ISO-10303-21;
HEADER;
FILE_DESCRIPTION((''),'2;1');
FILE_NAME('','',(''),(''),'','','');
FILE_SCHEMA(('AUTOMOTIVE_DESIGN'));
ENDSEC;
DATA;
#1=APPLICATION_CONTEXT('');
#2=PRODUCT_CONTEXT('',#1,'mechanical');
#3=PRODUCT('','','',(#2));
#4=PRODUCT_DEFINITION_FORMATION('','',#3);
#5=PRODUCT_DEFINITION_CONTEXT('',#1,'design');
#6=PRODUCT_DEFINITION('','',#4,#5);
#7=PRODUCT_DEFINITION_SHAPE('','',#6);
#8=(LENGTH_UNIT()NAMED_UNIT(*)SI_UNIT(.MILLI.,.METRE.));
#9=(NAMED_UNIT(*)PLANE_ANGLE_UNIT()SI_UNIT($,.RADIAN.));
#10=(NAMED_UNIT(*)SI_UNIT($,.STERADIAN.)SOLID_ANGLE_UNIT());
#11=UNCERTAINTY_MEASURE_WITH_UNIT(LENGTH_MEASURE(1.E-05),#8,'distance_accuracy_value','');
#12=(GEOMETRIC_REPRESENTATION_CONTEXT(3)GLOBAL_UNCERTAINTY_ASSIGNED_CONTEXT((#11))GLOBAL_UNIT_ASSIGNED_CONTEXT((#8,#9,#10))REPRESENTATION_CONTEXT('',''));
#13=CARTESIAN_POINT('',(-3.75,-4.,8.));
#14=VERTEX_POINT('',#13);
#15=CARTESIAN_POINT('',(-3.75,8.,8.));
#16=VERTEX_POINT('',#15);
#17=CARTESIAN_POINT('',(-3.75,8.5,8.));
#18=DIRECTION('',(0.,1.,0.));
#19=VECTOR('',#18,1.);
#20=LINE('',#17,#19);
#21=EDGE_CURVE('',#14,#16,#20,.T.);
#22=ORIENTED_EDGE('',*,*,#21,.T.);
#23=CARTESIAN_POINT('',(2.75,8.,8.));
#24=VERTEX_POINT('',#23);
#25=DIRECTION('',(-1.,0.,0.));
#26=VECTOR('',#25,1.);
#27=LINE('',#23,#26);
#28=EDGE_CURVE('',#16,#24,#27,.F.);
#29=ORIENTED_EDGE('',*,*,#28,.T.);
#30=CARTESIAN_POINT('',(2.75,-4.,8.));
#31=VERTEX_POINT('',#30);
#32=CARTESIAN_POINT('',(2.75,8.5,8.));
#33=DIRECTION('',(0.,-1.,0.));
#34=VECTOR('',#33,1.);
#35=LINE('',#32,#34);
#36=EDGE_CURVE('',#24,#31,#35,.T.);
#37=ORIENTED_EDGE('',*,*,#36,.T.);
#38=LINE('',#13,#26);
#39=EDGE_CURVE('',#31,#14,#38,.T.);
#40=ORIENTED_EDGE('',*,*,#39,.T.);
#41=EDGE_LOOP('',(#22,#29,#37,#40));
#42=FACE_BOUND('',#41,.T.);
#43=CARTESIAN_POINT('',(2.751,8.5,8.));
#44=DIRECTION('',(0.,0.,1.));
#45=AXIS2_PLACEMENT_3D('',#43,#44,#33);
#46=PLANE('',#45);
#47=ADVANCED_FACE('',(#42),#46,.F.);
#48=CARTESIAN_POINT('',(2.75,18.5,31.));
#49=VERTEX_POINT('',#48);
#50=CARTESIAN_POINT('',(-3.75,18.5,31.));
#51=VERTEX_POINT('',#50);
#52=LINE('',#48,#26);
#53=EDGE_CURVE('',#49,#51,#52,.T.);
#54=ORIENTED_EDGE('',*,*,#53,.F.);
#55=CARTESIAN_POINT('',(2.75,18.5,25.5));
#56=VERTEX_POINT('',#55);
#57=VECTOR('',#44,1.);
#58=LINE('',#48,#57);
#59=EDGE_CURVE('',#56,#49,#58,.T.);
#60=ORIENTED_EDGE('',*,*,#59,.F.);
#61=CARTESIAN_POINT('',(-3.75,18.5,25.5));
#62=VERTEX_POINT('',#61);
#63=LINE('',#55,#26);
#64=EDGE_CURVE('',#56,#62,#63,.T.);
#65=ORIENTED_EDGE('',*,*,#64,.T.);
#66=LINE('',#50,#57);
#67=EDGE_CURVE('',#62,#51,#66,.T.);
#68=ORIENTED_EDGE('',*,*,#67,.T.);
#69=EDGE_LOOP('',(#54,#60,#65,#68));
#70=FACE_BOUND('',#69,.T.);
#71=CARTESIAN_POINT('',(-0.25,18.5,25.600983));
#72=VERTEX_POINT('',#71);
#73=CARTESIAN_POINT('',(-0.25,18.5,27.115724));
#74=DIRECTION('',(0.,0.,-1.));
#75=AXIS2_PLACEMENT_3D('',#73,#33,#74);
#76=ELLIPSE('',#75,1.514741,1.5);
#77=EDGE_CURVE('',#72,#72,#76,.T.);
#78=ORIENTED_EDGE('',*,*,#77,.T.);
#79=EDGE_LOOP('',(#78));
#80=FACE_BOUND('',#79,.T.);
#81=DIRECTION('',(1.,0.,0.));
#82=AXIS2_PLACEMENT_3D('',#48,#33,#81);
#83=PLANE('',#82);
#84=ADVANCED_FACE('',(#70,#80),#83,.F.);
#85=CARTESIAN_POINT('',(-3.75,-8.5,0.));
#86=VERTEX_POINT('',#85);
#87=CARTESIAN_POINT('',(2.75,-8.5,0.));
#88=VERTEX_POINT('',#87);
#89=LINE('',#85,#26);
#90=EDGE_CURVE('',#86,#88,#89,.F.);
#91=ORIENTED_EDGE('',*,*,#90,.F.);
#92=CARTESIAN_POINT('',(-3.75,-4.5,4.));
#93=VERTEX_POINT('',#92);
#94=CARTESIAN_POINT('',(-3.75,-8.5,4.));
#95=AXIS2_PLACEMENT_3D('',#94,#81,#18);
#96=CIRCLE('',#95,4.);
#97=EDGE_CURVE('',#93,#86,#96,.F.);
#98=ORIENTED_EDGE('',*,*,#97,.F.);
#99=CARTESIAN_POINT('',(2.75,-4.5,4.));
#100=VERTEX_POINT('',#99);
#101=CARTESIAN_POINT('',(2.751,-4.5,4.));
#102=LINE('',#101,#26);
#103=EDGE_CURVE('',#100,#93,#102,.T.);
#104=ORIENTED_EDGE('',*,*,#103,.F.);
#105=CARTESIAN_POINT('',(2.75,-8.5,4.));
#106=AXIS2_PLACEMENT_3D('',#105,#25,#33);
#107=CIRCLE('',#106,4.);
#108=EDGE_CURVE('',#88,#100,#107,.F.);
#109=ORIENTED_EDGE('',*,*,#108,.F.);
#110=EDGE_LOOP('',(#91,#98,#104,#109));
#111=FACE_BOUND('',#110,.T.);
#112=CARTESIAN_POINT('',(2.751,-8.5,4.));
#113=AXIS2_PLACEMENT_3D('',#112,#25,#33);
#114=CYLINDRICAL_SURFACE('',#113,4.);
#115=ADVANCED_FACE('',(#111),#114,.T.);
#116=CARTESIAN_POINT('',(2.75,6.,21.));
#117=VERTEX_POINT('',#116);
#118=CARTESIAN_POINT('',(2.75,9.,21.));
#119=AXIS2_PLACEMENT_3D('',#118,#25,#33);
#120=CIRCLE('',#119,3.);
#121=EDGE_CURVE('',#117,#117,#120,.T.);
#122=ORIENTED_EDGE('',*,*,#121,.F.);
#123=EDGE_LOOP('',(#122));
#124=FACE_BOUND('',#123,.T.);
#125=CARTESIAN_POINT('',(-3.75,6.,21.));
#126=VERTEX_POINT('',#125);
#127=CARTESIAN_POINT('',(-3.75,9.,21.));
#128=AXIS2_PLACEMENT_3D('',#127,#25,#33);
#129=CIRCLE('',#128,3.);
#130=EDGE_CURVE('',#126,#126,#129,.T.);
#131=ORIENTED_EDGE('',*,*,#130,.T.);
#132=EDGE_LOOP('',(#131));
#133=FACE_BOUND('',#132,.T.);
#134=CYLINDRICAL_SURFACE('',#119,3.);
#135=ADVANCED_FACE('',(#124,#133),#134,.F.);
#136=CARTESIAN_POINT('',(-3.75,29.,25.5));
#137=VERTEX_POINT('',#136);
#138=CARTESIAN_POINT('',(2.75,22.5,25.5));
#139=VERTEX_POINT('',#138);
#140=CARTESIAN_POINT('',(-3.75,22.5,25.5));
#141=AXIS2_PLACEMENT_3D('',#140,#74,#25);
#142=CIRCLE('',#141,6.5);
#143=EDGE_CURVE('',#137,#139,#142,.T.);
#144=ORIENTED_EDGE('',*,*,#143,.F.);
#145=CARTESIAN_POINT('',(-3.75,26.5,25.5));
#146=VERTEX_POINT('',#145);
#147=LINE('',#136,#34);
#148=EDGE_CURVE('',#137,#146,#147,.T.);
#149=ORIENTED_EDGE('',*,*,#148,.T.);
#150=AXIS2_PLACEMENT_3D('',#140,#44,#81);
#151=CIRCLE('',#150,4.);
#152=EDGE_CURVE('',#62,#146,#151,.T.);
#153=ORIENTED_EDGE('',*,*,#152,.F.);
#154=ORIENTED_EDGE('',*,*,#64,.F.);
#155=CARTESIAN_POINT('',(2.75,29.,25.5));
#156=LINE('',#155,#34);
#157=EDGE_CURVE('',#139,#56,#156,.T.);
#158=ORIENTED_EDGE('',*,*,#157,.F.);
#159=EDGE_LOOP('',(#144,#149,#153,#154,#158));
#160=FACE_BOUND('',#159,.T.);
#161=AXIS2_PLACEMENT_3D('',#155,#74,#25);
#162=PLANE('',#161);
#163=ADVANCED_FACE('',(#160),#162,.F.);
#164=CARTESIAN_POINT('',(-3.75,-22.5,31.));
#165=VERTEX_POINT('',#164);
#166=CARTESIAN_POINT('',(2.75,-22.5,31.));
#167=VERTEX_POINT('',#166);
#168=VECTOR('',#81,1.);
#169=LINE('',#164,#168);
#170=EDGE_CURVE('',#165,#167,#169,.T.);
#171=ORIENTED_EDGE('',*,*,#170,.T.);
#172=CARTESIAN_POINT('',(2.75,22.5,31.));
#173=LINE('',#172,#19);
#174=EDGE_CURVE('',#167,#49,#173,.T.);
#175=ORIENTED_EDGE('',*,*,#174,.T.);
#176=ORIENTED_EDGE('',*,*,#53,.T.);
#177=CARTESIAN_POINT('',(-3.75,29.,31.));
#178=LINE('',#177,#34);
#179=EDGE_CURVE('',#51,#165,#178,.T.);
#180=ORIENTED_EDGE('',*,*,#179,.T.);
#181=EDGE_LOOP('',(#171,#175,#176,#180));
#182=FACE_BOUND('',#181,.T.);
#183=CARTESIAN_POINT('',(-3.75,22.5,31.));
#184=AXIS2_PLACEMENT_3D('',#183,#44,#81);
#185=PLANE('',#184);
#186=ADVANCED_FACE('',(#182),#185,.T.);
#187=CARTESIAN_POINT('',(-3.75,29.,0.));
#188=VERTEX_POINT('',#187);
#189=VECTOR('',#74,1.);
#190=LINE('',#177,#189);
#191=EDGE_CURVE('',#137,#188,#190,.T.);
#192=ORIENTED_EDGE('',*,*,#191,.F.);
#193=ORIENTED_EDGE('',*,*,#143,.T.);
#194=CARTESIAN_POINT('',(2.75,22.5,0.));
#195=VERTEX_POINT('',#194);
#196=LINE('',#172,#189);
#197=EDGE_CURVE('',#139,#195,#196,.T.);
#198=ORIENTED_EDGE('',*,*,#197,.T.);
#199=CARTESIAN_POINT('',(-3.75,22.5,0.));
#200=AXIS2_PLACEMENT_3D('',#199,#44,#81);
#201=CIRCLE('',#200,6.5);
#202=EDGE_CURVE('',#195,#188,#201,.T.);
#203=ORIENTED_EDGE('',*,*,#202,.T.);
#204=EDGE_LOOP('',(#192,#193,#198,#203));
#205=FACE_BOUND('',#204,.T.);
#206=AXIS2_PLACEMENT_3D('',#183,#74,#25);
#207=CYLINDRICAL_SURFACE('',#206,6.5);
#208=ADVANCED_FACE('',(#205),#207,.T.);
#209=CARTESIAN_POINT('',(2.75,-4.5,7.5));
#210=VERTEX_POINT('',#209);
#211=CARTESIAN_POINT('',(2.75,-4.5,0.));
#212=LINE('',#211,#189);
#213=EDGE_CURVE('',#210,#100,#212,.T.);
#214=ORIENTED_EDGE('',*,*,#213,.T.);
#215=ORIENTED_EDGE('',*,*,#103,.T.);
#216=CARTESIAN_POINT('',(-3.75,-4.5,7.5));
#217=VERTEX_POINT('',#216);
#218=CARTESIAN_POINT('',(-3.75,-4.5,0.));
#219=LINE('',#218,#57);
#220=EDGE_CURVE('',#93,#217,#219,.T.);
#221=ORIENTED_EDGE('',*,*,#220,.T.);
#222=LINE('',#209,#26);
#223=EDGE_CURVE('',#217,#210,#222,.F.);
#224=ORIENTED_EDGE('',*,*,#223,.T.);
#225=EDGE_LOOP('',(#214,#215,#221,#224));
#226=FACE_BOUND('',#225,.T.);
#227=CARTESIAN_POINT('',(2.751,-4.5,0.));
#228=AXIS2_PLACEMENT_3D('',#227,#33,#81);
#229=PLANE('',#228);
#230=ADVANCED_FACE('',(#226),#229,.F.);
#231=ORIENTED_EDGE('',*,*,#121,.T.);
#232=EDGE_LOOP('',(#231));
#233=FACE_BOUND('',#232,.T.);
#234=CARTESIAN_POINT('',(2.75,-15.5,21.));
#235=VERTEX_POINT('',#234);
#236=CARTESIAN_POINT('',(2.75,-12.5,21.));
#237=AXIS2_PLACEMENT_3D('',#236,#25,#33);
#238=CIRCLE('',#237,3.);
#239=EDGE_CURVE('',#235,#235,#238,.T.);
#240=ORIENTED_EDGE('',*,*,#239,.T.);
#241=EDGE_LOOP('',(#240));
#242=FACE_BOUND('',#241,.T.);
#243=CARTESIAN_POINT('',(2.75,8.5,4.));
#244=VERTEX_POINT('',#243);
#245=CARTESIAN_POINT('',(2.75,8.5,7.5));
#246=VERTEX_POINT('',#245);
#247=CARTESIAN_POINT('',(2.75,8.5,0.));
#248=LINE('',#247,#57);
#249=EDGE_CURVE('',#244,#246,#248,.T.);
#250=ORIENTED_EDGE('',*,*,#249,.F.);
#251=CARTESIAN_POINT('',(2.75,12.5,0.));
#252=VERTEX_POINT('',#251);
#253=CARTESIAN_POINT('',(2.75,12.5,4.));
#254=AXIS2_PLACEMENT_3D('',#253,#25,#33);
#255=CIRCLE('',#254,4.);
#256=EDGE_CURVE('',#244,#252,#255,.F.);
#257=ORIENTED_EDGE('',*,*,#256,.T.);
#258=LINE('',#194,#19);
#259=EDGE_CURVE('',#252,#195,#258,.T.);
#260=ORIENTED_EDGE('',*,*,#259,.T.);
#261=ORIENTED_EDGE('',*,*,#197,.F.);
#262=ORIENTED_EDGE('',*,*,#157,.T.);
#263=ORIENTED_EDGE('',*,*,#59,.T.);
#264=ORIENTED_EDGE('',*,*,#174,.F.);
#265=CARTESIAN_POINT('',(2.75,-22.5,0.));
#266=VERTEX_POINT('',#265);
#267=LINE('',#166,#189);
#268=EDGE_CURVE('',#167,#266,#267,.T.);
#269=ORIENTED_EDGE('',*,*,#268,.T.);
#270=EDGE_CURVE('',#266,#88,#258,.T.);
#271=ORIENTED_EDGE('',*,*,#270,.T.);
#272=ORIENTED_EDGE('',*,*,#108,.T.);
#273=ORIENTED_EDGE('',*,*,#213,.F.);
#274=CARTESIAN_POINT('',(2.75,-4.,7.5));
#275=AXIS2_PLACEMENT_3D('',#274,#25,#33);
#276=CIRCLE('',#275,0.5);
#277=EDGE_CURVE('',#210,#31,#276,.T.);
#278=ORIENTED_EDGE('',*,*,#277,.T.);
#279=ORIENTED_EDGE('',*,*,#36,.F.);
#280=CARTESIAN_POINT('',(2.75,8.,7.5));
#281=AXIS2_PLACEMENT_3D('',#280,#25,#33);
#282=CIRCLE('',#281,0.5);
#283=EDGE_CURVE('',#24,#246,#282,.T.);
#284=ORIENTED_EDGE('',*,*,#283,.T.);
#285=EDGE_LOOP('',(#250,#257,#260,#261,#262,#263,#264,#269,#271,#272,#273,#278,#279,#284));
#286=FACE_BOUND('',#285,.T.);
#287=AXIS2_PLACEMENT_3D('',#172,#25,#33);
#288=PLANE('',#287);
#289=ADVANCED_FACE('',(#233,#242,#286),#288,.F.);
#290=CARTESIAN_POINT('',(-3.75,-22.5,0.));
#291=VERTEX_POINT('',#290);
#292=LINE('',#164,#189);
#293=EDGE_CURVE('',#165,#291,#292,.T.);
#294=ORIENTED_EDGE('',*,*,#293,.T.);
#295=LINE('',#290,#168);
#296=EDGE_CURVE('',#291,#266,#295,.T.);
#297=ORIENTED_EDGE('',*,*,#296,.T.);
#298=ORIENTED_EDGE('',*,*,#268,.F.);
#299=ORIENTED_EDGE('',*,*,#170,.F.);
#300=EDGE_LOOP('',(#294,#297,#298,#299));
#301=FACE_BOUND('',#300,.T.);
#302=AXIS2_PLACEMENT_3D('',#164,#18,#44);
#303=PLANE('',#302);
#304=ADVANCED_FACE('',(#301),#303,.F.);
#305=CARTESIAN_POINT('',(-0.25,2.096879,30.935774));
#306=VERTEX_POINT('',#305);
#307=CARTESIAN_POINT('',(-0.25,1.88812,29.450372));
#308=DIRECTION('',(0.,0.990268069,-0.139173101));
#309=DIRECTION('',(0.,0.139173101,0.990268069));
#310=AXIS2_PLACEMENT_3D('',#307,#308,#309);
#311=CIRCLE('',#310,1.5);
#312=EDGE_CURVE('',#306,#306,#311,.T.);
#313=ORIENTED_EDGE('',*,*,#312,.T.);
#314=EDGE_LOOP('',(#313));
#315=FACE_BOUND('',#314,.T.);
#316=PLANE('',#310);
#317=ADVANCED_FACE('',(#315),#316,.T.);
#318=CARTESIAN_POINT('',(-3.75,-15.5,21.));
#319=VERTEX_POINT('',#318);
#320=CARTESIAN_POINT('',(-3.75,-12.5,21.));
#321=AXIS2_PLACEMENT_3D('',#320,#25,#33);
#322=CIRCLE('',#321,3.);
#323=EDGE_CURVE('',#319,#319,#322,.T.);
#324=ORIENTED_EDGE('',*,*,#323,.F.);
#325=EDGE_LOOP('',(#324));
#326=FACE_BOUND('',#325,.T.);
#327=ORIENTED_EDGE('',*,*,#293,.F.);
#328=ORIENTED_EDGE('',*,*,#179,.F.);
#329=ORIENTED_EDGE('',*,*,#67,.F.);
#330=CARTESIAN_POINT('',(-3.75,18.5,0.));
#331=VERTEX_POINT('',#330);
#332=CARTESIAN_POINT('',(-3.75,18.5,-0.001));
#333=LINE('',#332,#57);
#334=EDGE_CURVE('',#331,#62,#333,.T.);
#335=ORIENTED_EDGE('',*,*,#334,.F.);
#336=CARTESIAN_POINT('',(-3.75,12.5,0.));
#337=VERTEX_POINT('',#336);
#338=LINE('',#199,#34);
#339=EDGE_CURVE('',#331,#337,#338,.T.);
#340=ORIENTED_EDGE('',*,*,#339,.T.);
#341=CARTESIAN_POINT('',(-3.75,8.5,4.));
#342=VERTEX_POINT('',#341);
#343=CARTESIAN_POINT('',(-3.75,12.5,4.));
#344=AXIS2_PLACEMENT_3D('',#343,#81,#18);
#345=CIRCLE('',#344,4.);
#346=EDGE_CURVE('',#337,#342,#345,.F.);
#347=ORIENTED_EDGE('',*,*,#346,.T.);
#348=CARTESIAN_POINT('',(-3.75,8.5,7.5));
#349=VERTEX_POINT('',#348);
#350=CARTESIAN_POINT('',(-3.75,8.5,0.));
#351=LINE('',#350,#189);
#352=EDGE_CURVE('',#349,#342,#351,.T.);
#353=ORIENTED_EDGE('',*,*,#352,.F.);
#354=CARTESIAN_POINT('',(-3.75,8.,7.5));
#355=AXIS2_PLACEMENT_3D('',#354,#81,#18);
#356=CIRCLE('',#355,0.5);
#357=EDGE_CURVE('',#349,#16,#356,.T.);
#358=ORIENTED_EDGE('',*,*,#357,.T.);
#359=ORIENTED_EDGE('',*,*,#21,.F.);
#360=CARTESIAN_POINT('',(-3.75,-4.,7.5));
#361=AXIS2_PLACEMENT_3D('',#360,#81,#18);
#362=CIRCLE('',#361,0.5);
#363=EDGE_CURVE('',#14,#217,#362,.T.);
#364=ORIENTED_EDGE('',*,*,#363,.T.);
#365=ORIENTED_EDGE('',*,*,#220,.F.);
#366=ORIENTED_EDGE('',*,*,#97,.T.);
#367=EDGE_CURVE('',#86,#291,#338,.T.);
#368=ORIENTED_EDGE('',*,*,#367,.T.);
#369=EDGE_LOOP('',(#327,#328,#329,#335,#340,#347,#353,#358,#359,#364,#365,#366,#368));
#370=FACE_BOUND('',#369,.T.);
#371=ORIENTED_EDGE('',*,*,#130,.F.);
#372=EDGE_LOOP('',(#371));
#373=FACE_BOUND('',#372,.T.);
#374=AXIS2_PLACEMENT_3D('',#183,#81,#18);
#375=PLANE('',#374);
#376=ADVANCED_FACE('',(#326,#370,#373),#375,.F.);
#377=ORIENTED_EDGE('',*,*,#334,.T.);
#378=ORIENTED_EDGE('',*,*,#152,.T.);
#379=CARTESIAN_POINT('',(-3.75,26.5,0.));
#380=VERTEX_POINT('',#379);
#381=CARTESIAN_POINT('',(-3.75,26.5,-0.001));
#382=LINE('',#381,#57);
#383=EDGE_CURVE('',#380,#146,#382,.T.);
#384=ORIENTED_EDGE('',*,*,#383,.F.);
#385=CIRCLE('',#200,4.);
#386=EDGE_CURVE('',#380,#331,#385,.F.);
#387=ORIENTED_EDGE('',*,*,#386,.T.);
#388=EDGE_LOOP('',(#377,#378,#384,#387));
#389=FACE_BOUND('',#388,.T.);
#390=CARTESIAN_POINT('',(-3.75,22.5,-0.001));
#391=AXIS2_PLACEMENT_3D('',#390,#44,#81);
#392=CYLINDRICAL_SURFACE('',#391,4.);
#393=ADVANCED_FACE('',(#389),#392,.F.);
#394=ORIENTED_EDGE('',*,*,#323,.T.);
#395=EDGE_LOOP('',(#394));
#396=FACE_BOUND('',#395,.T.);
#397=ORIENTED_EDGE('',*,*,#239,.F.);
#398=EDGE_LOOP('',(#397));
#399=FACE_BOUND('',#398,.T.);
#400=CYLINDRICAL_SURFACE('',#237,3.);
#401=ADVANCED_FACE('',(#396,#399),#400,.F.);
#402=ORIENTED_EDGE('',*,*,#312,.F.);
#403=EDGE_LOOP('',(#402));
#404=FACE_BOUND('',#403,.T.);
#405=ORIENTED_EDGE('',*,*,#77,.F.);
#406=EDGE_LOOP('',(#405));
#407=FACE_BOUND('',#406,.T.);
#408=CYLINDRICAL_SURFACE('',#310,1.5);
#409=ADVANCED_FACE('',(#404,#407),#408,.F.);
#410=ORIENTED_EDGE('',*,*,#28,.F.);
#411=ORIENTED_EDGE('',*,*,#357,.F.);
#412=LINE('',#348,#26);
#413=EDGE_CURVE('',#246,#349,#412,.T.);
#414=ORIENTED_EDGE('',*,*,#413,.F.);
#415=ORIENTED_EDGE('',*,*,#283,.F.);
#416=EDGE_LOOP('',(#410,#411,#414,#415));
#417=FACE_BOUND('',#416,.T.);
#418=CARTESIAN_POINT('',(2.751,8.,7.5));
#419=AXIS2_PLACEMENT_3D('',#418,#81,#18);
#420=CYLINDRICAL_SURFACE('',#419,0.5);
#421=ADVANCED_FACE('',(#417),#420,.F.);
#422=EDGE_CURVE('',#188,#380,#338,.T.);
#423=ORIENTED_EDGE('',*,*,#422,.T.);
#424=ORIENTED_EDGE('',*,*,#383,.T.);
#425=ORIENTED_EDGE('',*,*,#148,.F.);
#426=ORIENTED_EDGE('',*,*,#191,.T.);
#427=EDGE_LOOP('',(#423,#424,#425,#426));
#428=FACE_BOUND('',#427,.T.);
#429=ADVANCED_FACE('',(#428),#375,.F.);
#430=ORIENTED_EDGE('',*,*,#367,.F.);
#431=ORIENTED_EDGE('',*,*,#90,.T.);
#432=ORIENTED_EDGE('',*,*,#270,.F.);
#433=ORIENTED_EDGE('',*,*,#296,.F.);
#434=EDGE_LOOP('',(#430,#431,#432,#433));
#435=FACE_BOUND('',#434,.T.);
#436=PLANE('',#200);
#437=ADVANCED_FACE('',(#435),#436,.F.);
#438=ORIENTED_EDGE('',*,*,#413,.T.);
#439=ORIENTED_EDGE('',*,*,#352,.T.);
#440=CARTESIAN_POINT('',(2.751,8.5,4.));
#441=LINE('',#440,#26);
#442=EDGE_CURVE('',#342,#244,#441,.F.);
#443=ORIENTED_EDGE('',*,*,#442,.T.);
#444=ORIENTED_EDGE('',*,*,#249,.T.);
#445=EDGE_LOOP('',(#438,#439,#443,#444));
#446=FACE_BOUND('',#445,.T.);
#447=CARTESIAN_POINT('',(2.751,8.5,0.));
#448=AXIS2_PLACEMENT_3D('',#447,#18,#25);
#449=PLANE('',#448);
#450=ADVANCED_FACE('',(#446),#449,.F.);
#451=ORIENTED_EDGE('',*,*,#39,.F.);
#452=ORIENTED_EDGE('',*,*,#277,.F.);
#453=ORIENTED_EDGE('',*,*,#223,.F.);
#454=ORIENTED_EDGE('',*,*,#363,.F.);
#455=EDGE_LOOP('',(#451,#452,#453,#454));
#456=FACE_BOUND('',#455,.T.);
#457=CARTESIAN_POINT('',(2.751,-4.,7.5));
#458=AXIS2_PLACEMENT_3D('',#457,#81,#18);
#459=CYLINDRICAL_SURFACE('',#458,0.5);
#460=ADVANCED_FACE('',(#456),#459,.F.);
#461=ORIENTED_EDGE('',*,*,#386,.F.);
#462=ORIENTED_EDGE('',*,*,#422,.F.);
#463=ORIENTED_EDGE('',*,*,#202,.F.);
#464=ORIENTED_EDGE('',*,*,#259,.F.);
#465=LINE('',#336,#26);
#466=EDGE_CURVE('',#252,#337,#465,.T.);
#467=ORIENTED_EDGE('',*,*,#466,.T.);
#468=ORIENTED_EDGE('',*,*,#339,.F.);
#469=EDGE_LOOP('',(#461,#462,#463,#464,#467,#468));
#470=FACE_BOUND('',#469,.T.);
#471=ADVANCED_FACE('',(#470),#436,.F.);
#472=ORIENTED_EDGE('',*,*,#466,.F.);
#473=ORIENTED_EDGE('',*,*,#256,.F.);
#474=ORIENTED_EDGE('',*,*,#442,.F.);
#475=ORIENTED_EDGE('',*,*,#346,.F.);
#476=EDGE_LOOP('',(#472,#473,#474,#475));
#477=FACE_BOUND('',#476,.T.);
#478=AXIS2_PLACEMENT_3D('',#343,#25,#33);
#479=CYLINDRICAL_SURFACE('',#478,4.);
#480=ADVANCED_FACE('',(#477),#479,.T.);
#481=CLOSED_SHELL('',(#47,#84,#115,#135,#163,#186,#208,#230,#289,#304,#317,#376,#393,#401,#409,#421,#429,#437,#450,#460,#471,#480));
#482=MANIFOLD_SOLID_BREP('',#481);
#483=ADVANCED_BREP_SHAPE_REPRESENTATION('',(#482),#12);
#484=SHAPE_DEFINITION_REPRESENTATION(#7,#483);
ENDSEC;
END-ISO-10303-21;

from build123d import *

# Parameters (mm, degrees)
BOSS_EXTRUDE1_DEPTH = 31
SKETCH2_W           = 5.5
SKETCH2_H           = 10.5
CUT_EXTRUDE1_DEPTH  = 7.5
SKETCH3_R           = 3
CUT_EXTRUDE2_DEPTH  = 7.5
CUT_EXTRUDE5_REACH  = 8.5
SKETCH6_W           = 8
SKETCH6_H           = 13
FILLET1_R           = 0.5
FILLET2_R           = 4
CUT_EXTRUDE7_REACH  = 27.5
SKETCH9_R           = 1.5
CUT_EXTRUDE8_DEPTH  = 17


with BuildPart() as part:
    # Sketch1 → Boss-Extrude1 (new body)
    with BuildSketch(Plane.XY):
        with BuildLine():
            Line((-3.75, 29), (-3.75, 22.5))
            Line((-3.75, 22.5), (-3.75, -22.5))
            Line((-3.75, -22.5), (2.75, -22.5))
            Line((2.75, -22.5), (2.75, 22.5))
            ThreePointArc((2.75, 22.5), (0.846194078, 27.096194078), (-3.75, 29))
        make_face()
    extrude(amount=BOSS_EXTRUDE1_DEPTH)

    # Sketch2 → Cut-Extrude1 (cut, through all)
    with BuildSketch(Plane.ZY.offset(3.75)):
        with Locations((28.25, 23.75)):
            Rectangle(SKETCH2_W, SKETCH2_H)
    extrude(amount=-CUT_EXTRUDE1_DEPTH, mode=Mode.SUBTRACT)

    # Sketch3 → Cut-Extrude2 (cut, through all)
    with BuildSketch(Plane.ZY.offset(3.75)):
        with Locations((21, 9)):
            Circle(SKETCH3_R)
        with Locations((21, -12.5)):
            Circle(SKETCH3_R)
    extrude(amount=-CUT_EXTRUDE2_DEPTH, mode=Mode.SUBTRACT)

    # Sketch6 → Cut-Extrude5 (cut, up to next)
    with BuildSketch(Plane.ZY.offset(3.75), mode=Mode.PRIVATE) as cut_extrude5_sk1:
        with Locations((4, 2)):
            Rectangle(SKETCH6_W, SKETCH6_H)
    cut_extrude5_tool1 = extrude(cut_extrude5_sk1.sketch, amount=-CUT_EXTRUDE5_REACH, mode=Mode.PRIVATE) & part.part
    add(cut_extrude5_tool1.solids().sort_by_distance((-3.75, 2, 4))[0], mode=Mode.SUBTRACT)

    # Fillet1
    fillet1_edges = [part.edges().sort_by_distance(p)[0] for p in [
        (-0.5, 8.5, 8),
        (-0.5, -4.5, 8),
    ]]
    fillet(fillet1_edges, radius=FILLET1_R)

    # Fillet2
    fillet2_edges = [part.edges().sort_by_distance(p)[0] for p in [
        (-0.5, -4.5, 0),
        (-0.5, 8.5, 0),
    ]]
    fillet(fillet2_edges, radius=FILLET2_R)

    # Sketch8 → Cut-Extrude7 (cut, up to next)
    with BuildSketch(Plane.XY.offset(25.5), mode=Mode.PRIVATE) as cut_extrude7_sk1:
        with BuildLine():
            Line((-3.75, 26.5), (-3.75, 18.5))
            ThreePointArc((-3.75, 18.5), (0.25, 22.5), (-3.75, 26.5))
        make_face()
    cut_extrude7_tool1 = extrude(cut_extrude7_sk1.sketch, amount=-CUT_EXTRUDE7_REACH, mode=Mode.PRIVATE) & part.part
    add(cut_extrude7_tool1.solids().sort_by_distance((-2.052347, 22.5, 25.5))[0], mode=Mode.SUBTRACT)

    # Sketch9 → Cut-Extrude8 (cut)
    with BuildSketch(Plane(origin=(0, 14.627294401, -2.055732165), x_dir=(-1, 0, 0), z_dir=(0, 0.990268069, -0.139173101))):
        with Locations((0.25, 29.426538121)):
            Circle(SKETCH9_R)
    extrude(amount=-CUT_EXTRUDE8_DEPTH, mode=Mode.SUBTRACT)


solid = part.part
